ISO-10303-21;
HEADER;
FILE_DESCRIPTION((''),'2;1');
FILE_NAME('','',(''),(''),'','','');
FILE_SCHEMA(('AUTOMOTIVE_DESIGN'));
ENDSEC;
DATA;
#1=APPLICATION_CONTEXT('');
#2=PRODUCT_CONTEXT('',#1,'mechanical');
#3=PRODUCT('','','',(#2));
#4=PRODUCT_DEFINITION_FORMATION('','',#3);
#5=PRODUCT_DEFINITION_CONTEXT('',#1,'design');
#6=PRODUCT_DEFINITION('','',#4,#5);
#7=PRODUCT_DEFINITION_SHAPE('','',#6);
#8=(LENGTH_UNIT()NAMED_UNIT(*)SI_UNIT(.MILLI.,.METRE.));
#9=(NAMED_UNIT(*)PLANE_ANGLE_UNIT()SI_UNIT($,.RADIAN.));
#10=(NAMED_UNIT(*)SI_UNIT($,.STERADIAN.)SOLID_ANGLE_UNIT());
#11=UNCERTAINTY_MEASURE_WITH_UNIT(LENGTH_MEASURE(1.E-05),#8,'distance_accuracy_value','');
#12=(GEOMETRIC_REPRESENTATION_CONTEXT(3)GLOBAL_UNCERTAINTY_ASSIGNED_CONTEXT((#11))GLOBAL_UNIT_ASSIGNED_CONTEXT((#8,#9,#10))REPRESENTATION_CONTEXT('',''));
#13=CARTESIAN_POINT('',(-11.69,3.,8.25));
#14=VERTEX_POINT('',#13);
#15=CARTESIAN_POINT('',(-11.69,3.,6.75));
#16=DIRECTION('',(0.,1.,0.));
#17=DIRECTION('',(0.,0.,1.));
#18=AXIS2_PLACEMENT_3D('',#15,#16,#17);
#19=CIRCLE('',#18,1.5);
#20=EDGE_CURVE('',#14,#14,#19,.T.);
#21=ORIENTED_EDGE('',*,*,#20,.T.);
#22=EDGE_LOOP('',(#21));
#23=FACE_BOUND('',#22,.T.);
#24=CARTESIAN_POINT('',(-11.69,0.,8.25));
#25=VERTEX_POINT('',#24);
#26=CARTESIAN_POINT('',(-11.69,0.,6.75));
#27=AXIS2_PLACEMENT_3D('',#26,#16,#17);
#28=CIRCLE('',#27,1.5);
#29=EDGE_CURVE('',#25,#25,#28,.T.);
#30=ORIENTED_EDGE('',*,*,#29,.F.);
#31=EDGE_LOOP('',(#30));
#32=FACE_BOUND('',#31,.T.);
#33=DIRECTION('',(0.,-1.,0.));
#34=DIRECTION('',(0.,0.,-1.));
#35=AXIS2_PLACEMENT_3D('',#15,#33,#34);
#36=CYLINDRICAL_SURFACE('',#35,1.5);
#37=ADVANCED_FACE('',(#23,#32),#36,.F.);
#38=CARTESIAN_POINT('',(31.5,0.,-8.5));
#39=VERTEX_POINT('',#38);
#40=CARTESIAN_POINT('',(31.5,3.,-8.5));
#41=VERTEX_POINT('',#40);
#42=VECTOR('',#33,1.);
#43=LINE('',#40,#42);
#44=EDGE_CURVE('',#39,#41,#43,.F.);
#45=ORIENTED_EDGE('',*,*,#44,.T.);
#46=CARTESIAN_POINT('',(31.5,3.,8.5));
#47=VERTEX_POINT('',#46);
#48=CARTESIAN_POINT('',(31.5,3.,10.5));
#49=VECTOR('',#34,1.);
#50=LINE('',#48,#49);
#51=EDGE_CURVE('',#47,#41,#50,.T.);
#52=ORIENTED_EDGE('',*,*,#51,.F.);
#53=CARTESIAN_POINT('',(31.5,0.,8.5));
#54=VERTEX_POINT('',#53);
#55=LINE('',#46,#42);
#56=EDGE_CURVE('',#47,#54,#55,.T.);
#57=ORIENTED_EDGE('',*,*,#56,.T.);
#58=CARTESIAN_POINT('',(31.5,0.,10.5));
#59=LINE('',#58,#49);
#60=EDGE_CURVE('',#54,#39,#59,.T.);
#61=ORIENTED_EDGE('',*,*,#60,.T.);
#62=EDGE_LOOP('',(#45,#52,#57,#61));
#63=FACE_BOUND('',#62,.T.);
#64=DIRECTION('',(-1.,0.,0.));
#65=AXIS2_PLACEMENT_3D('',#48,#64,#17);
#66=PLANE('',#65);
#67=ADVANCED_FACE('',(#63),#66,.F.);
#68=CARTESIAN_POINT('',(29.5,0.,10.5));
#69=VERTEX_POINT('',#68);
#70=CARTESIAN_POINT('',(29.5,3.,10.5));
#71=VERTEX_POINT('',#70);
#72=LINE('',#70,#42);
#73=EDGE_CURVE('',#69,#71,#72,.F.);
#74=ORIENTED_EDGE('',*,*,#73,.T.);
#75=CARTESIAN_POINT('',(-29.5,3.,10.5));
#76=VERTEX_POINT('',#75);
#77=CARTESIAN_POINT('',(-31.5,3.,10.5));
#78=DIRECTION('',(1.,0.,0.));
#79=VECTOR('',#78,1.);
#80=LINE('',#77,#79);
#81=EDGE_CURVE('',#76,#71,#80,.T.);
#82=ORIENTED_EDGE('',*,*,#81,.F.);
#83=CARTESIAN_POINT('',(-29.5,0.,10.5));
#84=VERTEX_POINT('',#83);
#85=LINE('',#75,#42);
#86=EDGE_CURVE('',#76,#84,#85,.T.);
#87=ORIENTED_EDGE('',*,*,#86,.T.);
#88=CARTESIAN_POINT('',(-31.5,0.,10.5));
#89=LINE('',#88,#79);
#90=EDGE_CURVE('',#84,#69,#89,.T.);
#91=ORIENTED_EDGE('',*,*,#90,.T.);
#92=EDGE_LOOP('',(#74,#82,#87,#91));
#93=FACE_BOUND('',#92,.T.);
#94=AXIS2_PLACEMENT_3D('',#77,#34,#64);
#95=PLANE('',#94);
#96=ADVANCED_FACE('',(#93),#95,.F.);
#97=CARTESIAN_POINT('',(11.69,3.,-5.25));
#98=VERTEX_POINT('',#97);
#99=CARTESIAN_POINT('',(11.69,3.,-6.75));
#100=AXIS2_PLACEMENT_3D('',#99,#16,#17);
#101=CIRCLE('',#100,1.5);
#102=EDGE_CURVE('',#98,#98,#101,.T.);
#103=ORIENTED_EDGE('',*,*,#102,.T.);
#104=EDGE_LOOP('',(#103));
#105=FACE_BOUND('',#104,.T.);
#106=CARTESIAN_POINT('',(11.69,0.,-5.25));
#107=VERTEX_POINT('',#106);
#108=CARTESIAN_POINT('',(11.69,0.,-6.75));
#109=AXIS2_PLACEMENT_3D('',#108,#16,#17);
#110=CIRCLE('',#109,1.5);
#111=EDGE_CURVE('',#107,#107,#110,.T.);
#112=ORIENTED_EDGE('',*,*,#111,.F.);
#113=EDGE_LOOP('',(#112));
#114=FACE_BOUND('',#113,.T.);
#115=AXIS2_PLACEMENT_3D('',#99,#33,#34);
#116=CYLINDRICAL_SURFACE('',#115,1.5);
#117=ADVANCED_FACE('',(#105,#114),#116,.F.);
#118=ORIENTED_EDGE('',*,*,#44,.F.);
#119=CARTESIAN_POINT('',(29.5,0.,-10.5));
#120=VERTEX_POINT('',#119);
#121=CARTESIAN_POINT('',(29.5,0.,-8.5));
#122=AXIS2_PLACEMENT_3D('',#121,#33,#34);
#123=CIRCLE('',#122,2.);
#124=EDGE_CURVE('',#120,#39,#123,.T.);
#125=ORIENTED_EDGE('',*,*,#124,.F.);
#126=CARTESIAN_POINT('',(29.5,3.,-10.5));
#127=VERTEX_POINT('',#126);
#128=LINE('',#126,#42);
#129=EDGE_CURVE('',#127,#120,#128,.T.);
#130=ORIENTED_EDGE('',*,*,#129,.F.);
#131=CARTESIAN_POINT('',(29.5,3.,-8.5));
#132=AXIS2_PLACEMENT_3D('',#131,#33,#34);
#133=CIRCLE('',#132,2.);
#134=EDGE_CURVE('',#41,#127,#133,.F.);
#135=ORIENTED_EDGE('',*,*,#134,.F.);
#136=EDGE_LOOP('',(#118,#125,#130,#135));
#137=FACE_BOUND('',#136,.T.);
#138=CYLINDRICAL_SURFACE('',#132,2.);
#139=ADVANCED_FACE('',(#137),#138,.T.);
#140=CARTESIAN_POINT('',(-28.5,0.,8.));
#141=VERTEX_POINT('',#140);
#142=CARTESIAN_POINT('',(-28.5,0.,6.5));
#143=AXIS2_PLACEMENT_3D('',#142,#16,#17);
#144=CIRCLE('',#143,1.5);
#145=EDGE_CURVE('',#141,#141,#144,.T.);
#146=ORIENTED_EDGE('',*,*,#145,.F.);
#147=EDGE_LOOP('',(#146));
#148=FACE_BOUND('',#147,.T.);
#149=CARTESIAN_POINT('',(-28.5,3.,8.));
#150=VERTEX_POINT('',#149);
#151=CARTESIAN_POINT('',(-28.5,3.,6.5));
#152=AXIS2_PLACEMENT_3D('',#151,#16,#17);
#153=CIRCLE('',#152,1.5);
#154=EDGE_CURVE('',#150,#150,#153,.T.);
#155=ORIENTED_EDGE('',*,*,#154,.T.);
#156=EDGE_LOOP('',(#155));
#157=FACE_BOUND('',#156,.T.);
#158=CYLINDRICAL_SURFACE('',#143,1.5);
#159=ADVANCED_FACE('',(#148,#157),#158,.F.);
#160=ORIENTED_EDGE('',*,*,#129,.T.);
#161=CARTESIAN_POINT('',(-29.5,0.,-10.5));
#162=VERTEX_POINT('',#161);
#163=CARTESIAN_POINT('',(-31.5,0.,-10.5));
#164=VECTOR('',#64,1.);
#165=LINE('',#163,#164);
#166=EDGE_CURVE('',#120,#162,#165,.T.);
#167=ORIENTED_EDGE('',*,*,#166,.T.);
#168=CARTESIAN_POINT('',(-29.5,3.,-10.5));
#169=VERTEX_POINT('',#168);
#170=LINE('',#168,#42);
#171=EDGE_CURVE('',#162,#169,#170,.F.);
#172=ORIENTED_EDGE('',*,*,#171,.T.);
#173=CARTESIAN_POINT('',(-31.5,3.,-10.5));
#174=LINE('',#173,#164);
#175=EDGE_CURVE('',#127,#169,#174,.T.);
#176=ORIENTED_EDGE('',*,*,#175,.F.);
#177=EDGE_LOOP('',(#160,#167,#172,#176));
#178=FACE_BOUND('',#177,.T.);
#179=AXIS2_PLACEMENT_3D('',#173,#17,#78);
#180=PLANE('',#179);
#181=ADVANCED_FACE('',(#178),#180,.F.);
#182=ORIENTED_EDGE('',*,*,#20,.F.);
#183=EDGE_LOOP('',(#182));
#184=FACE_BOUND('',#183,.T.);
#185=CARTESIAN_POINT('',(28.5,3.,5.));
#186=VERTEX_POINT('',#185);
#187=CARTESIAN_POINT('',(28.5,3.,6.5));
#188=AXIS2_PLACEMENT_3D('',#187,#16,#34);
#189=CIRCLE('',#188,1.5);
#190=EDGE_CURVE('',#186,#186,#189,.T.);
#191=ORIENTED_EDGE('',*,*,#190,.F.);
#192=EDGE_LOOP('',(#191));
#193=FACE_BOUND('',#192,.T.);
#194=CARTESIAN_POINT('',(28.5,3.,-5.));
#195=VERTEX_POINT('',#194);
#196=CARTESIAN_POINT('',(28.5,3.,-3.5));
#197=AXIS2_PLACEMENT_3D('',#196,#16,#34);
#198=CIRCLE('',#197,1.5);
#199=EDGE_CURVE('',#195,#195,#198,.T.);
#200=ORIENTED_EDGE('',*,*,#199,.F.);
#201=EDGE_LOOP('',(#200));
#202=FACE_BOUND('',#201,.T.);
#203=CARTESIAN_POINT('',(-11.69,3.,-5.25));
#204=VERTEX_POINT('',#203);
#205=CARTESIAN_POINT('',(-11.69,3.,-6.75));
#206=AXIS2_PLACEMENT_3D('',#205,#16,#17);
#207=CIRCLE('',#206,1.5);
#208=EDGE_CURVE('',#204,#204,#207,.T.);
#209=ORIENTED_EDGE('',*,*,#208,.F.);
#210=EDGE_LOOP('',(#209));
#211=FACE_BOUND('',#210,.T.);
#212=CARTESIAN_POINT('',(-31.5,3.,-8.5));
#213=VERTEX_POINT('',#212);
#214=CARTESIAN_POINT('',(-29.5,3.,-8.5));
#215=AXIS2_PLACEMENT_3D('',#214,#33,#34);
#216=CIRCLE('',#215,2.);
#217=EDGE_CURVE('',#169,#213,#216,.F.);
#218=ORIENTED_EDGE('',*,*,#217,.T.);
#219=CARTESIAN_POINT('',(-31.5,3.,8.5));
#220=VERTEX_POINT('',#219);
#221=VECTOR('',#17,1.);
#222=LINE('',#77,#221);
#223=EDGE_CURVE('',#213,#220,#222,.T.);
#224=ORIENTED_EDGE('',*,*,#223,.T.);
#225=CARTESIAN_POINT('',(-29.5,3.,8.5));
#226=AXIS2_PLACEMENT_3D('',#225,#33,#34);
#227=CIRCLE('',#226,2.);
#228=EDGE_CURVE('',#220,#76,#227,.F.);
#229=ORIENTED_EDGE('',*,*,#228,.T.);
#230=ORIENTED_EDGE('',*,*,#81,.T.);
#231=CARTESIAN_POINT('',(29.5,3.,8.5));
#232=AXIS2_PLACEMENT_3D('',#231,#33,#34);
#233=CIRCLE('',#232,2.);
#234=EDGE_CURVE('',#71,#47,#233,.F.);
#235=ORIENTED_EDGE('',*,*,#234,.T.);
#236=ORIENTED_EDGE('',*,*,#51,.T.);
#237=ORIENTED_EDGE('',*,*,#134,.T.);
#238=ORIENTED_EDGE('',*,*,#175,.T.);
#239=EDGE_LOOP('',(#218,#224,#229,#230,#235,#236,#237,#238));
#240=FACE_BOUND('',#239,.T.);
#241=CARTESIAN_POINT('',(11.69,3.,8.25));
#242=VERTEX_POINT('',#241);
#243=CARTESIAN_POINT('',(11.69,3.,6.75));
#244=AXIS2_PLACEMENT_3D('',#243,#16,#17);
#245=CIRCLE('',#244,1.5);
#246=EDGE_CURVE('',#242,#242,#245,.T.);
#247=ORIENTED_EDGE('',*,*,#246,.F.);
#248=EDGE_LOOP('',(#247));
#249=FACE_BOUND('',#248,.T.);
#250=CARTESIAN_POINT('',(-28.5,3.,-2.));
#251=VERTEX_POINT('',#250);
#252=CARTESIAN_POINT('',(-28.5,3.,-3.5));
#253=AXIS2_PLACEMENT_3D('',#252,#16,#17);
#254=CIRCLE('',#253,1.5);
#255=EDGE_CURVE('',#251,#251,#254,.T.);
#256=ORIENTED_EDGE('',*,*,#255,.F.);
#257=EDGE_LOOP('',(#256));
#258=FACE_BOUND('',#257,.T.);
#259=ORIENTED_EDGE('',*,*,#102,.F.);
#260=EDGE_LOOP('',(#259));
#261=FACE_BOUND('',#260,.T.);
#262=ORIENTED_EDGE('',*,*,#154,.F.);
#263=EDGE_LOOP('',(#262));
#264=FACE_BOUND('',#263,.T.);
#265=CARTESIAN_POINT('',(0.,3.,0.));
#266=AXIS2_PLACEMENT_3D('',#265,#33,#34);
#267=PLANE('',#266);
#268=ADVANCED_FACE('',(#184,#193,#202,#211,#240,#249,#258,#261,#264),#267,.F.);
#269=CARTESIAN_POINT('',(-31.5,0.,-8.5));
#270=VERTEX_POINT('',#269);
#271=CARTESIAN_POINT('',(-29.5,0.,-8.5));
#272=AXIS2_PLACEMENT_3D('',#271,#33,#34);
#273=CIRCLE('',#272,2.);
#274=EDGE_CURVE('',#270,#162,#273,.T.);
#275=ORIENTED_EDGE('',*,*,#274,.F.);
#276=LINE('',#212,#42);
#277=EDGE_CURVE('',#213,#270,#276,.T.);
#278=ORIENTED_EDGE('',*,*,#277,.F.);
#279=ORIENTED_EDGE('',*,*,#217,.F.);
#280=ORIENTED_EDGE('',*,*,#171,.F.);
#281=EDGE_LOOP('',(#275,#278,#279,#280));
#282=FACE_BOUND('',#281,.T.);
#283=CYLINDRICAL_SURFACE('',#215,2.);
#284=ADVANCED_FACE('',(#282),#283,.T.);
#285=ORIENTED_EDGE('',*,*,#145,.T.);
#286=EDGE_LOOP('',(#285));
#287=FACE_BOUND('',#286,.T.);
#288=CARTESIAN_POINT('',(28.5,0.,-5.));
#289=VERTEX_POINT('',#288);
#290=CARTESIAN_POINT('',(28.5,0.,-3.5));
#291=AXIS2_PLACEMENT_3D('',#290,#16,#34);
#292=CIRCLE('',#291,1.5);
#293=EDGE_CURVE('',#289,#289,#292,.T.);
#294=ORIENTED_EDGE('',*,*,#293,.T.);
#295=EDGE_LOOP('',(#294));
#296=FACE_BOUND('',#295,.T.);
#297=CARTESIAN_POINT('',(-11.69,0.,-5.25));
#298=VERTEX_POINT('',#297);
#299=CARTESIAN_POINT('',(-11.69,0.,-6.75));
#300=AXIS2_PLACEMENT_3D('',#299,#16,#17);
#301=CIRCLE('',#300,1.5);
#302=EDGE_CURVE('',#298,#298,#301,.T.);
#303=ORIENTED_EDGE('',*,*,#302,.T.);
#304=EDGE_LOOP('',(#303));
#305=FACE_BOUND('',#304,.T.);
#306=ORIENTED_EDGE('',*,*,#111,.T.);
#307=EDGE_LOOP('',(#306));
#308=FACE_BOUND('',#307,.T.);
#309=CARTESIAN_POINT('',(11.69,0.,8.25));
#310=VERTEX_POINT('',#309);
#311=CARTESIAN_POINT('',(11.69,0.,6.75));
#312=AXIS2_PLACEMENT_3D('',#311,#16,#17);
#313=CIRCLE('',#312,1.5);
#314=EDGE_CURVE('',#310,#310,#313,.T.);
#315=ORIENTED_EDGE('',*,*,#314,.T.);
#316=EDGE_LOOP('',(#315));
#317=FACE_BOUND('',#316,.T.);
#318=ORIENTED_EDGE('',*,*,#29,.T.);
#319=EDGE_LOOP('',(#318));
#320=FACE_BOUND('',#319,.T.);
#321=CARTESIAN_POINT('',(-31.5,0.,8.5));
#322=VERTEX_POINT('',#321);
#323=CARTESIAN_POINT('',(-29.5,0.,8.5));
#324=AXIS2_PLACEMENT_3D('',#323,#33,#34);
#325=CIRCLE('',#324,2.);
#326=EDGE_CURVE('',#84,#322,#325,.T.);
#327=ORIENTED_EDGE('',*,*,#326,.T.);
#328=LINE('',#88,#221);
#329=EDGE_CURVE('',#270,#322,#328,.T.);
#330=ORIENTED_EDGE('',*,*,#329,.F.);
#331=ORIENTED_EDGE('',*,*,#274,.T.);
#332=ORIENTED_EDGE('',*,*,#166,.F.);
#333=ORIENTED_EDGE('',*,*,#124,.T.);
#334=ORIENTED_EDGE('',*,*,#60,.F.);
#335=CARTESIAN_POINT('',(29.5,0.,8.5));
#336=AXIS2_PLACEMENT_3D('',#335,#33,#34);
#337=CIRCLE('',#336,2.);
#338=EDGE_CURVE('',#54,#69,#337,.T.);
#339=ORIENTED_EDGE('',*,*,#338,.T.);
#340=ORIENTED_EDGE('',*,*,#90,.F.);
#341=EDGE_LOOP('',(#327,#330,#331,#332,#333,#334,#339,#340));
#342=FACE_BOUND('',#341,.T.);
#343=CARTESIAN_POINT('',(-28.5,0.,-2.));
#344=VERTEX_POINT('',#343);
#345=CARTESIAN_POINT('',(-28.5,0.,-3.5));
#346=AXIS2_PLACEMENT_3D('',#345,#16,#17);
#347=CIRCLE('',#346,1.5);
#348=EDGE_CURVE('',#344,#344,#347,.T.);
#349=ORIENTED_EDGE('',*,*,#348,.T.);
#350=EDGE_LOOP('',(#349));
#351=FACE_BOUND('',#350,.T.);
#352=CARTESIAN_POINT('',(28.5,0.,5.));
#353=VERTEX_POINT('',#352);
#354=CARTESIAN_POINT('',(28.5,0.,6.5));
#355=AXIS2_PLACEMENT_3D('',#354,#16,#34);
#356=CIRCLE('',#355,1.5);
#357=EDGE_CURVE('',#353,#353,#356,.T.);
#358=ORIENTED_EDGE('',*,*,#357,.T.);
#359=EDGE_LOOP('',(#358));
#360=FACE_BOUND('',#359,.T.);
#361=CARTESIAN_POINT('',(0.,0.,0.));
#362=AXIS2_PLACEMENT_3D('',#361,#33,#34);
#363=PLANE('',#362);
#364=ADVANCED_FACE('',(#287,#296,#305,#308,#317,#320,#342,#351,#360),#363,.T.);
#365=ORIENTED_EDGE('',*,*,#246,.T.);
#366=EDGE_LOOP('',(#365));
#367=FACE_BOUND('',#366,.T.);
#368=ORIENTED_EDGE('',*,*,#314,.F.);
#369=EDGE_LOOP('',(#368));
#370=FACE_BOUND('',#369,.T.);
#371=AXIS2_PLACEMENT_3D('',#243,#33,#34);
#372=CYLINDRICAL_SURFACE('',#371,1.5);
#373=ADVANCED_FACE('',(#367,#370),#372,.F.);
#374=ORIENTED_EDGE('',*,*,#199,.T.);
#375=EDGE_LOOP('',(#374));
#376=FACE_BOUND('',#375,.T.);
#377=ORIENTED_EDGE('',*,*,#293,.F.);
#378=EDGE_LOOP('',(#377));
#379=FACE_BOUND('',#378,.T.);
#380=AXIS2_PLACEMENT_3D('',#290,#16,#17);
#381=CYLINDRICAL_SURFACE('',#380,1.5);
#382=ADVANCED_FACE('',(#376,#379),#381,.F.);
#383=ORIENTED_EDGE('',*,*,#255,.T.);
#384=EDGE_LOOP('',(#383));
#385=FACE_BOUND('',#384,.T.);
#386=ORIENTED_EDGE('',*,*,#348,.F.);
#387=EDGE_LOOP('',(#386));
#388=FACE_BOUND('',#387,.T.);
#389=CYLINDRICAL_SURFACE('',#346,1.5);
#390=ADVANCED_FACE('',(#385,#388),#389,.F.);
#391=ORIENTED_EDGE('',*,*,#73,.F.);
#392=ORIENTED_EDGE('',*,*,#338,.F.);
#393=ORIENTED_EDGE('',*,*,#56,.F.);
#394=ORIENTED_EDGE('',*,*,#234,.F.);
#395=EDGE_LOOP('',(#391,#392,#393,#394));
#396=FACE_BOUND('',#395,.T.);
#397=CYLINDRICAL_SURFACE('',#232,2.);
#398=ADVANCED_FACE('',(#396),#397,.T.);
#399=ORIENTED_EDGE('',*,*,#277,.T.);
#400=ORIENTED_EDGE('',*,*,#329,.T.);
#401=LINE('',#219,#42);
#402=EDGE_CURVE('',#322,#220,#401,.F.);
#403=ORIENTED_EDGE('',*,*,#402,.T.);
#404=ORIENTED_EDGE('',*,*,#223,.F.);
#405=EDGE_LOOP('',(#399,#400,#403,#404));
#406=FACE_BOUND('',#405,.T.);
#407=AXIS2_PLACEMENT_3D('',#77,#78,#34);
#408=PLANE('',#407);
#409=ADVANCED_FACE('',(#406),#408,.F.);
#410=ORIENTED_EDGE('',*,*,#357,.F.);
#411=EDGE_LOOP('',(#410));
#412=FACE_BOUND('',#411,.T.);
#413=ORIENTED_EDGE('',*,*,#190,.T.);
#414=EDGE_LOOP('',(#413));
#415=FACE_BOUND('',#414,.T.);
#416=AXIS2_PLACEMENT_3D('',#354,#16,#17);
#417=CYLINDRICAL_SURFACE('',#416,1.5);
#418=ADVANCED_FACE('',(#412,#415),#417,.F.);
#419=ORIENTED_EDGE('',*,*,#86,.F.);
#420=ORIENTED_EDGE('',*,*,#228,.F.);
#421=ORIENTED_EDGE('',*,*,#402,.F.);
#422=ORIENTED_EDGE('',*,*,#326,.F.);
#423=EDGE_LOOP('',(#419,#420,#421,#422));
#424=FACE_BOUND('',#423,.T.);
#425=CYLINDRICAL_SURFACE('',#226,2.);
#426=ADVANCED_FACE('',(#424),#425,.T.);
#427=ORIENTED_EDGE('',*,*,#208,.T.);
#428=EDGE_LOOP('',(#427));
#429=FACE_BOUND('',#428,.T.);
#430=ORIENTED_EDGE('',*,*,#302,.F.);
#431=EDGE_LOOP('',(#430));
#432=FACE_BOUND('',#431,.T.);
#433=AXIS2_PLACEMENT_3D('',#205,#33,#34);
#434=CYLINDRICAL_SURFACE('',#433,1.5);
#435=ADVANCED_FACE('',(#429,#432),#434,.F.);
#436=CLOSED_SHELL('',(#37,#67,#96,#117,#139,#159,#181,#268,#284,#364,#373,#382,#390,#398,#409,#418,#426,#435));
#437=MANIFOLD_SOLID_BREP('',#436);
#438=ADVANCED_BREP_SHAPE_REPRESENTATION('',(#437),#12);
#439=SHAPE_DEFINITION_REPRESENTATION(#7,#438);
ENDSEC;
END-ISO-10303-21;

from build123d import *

# Parameters (mm, degrees)
SKETCH_1_W          = 63
SKETCH_1_H          = 21
SKETCH_1_R          = 1.5
EXTRUDE_1_DEPTH     = 3
FILLET_1_R          = 2
SKETCH_3_R          = 1.5
CUT_EXTRUDE_2_DEPTH = 34.339166156


with BuildPart() as part:
    # 草图1 → 凸台-拉伸1 (new body)
    with BuildSketch(Plane(origin=(0, 0, 0), x_dir=(1, 0, 0), z_dir=(0, 1, 0))):
        Rectangle(SKETCH_1_W, SKETCH_1_H)
        with Locations(Location((-11.69, 6.75, 0), (0, 0, 270))):
            Circle(SKETCH_1_R, mode=Mode.SUBTRACT)
        with Locations(Location((11.69, 6.75, 0), (0, 0, 270))):
            Circle(SKETCH_1_R, mode=Mode.SUBTRACT)
        with Locations(Location((11.69, -6.75, 0), (0, 0, 270))):
            Circle(SKETCH_1_R, mode=Mode.SUBTRACT)
        with Locations(Location((-11.69, -6.75, 0), (0, 0, 270))):
            Circle(SKETCH_1_R, mode=Mode.SUBTRACT)
    extrude(amount=EXTRUDE_1_DEPTH)

    # 圆角1
    fillet_1_edges = [part.edges().sort_by_distance(p)[0] for p in [
        (31.5, 1.5, 10.5),
        (-31.5, 1.5, 10.5),
        (-31.5, 1.5, -10.5),
        (31.5, 1.5, -10.5),
    ]]
    fillet(fillet_1_edges, radius=FILLET_1_R)

    # 草图3 → 切除-拉伸2 (cut, through all)
    with BuildSketch(Plane(origin=(0, 3, 0), x_dir=(1, 0, 0), z_dir=(0, 1, 0))):
        with Locations(Location((-28.5, -6.5, 0), (0, 0, 270))):
            Circle(SKETCH_3_R)
        with Locations(Location((-28.5, 3.5, 0), (0, 0, 270))):
            Circle(SKETCH_3_R)
        with Locations(Location((28.5, -6.5, 0), (0, 0, 90))):
            Circle(SKETCH_3_R)
        with Locations(Location((28.5, 3.5, 0), (0, 0, 90))):
            Circle(SKETCH_3_R)
    extrude(amount=-CUT_EXTRUDE_2_DEPTH, mode=Mode.SUBTRACT)


solid = part.part
